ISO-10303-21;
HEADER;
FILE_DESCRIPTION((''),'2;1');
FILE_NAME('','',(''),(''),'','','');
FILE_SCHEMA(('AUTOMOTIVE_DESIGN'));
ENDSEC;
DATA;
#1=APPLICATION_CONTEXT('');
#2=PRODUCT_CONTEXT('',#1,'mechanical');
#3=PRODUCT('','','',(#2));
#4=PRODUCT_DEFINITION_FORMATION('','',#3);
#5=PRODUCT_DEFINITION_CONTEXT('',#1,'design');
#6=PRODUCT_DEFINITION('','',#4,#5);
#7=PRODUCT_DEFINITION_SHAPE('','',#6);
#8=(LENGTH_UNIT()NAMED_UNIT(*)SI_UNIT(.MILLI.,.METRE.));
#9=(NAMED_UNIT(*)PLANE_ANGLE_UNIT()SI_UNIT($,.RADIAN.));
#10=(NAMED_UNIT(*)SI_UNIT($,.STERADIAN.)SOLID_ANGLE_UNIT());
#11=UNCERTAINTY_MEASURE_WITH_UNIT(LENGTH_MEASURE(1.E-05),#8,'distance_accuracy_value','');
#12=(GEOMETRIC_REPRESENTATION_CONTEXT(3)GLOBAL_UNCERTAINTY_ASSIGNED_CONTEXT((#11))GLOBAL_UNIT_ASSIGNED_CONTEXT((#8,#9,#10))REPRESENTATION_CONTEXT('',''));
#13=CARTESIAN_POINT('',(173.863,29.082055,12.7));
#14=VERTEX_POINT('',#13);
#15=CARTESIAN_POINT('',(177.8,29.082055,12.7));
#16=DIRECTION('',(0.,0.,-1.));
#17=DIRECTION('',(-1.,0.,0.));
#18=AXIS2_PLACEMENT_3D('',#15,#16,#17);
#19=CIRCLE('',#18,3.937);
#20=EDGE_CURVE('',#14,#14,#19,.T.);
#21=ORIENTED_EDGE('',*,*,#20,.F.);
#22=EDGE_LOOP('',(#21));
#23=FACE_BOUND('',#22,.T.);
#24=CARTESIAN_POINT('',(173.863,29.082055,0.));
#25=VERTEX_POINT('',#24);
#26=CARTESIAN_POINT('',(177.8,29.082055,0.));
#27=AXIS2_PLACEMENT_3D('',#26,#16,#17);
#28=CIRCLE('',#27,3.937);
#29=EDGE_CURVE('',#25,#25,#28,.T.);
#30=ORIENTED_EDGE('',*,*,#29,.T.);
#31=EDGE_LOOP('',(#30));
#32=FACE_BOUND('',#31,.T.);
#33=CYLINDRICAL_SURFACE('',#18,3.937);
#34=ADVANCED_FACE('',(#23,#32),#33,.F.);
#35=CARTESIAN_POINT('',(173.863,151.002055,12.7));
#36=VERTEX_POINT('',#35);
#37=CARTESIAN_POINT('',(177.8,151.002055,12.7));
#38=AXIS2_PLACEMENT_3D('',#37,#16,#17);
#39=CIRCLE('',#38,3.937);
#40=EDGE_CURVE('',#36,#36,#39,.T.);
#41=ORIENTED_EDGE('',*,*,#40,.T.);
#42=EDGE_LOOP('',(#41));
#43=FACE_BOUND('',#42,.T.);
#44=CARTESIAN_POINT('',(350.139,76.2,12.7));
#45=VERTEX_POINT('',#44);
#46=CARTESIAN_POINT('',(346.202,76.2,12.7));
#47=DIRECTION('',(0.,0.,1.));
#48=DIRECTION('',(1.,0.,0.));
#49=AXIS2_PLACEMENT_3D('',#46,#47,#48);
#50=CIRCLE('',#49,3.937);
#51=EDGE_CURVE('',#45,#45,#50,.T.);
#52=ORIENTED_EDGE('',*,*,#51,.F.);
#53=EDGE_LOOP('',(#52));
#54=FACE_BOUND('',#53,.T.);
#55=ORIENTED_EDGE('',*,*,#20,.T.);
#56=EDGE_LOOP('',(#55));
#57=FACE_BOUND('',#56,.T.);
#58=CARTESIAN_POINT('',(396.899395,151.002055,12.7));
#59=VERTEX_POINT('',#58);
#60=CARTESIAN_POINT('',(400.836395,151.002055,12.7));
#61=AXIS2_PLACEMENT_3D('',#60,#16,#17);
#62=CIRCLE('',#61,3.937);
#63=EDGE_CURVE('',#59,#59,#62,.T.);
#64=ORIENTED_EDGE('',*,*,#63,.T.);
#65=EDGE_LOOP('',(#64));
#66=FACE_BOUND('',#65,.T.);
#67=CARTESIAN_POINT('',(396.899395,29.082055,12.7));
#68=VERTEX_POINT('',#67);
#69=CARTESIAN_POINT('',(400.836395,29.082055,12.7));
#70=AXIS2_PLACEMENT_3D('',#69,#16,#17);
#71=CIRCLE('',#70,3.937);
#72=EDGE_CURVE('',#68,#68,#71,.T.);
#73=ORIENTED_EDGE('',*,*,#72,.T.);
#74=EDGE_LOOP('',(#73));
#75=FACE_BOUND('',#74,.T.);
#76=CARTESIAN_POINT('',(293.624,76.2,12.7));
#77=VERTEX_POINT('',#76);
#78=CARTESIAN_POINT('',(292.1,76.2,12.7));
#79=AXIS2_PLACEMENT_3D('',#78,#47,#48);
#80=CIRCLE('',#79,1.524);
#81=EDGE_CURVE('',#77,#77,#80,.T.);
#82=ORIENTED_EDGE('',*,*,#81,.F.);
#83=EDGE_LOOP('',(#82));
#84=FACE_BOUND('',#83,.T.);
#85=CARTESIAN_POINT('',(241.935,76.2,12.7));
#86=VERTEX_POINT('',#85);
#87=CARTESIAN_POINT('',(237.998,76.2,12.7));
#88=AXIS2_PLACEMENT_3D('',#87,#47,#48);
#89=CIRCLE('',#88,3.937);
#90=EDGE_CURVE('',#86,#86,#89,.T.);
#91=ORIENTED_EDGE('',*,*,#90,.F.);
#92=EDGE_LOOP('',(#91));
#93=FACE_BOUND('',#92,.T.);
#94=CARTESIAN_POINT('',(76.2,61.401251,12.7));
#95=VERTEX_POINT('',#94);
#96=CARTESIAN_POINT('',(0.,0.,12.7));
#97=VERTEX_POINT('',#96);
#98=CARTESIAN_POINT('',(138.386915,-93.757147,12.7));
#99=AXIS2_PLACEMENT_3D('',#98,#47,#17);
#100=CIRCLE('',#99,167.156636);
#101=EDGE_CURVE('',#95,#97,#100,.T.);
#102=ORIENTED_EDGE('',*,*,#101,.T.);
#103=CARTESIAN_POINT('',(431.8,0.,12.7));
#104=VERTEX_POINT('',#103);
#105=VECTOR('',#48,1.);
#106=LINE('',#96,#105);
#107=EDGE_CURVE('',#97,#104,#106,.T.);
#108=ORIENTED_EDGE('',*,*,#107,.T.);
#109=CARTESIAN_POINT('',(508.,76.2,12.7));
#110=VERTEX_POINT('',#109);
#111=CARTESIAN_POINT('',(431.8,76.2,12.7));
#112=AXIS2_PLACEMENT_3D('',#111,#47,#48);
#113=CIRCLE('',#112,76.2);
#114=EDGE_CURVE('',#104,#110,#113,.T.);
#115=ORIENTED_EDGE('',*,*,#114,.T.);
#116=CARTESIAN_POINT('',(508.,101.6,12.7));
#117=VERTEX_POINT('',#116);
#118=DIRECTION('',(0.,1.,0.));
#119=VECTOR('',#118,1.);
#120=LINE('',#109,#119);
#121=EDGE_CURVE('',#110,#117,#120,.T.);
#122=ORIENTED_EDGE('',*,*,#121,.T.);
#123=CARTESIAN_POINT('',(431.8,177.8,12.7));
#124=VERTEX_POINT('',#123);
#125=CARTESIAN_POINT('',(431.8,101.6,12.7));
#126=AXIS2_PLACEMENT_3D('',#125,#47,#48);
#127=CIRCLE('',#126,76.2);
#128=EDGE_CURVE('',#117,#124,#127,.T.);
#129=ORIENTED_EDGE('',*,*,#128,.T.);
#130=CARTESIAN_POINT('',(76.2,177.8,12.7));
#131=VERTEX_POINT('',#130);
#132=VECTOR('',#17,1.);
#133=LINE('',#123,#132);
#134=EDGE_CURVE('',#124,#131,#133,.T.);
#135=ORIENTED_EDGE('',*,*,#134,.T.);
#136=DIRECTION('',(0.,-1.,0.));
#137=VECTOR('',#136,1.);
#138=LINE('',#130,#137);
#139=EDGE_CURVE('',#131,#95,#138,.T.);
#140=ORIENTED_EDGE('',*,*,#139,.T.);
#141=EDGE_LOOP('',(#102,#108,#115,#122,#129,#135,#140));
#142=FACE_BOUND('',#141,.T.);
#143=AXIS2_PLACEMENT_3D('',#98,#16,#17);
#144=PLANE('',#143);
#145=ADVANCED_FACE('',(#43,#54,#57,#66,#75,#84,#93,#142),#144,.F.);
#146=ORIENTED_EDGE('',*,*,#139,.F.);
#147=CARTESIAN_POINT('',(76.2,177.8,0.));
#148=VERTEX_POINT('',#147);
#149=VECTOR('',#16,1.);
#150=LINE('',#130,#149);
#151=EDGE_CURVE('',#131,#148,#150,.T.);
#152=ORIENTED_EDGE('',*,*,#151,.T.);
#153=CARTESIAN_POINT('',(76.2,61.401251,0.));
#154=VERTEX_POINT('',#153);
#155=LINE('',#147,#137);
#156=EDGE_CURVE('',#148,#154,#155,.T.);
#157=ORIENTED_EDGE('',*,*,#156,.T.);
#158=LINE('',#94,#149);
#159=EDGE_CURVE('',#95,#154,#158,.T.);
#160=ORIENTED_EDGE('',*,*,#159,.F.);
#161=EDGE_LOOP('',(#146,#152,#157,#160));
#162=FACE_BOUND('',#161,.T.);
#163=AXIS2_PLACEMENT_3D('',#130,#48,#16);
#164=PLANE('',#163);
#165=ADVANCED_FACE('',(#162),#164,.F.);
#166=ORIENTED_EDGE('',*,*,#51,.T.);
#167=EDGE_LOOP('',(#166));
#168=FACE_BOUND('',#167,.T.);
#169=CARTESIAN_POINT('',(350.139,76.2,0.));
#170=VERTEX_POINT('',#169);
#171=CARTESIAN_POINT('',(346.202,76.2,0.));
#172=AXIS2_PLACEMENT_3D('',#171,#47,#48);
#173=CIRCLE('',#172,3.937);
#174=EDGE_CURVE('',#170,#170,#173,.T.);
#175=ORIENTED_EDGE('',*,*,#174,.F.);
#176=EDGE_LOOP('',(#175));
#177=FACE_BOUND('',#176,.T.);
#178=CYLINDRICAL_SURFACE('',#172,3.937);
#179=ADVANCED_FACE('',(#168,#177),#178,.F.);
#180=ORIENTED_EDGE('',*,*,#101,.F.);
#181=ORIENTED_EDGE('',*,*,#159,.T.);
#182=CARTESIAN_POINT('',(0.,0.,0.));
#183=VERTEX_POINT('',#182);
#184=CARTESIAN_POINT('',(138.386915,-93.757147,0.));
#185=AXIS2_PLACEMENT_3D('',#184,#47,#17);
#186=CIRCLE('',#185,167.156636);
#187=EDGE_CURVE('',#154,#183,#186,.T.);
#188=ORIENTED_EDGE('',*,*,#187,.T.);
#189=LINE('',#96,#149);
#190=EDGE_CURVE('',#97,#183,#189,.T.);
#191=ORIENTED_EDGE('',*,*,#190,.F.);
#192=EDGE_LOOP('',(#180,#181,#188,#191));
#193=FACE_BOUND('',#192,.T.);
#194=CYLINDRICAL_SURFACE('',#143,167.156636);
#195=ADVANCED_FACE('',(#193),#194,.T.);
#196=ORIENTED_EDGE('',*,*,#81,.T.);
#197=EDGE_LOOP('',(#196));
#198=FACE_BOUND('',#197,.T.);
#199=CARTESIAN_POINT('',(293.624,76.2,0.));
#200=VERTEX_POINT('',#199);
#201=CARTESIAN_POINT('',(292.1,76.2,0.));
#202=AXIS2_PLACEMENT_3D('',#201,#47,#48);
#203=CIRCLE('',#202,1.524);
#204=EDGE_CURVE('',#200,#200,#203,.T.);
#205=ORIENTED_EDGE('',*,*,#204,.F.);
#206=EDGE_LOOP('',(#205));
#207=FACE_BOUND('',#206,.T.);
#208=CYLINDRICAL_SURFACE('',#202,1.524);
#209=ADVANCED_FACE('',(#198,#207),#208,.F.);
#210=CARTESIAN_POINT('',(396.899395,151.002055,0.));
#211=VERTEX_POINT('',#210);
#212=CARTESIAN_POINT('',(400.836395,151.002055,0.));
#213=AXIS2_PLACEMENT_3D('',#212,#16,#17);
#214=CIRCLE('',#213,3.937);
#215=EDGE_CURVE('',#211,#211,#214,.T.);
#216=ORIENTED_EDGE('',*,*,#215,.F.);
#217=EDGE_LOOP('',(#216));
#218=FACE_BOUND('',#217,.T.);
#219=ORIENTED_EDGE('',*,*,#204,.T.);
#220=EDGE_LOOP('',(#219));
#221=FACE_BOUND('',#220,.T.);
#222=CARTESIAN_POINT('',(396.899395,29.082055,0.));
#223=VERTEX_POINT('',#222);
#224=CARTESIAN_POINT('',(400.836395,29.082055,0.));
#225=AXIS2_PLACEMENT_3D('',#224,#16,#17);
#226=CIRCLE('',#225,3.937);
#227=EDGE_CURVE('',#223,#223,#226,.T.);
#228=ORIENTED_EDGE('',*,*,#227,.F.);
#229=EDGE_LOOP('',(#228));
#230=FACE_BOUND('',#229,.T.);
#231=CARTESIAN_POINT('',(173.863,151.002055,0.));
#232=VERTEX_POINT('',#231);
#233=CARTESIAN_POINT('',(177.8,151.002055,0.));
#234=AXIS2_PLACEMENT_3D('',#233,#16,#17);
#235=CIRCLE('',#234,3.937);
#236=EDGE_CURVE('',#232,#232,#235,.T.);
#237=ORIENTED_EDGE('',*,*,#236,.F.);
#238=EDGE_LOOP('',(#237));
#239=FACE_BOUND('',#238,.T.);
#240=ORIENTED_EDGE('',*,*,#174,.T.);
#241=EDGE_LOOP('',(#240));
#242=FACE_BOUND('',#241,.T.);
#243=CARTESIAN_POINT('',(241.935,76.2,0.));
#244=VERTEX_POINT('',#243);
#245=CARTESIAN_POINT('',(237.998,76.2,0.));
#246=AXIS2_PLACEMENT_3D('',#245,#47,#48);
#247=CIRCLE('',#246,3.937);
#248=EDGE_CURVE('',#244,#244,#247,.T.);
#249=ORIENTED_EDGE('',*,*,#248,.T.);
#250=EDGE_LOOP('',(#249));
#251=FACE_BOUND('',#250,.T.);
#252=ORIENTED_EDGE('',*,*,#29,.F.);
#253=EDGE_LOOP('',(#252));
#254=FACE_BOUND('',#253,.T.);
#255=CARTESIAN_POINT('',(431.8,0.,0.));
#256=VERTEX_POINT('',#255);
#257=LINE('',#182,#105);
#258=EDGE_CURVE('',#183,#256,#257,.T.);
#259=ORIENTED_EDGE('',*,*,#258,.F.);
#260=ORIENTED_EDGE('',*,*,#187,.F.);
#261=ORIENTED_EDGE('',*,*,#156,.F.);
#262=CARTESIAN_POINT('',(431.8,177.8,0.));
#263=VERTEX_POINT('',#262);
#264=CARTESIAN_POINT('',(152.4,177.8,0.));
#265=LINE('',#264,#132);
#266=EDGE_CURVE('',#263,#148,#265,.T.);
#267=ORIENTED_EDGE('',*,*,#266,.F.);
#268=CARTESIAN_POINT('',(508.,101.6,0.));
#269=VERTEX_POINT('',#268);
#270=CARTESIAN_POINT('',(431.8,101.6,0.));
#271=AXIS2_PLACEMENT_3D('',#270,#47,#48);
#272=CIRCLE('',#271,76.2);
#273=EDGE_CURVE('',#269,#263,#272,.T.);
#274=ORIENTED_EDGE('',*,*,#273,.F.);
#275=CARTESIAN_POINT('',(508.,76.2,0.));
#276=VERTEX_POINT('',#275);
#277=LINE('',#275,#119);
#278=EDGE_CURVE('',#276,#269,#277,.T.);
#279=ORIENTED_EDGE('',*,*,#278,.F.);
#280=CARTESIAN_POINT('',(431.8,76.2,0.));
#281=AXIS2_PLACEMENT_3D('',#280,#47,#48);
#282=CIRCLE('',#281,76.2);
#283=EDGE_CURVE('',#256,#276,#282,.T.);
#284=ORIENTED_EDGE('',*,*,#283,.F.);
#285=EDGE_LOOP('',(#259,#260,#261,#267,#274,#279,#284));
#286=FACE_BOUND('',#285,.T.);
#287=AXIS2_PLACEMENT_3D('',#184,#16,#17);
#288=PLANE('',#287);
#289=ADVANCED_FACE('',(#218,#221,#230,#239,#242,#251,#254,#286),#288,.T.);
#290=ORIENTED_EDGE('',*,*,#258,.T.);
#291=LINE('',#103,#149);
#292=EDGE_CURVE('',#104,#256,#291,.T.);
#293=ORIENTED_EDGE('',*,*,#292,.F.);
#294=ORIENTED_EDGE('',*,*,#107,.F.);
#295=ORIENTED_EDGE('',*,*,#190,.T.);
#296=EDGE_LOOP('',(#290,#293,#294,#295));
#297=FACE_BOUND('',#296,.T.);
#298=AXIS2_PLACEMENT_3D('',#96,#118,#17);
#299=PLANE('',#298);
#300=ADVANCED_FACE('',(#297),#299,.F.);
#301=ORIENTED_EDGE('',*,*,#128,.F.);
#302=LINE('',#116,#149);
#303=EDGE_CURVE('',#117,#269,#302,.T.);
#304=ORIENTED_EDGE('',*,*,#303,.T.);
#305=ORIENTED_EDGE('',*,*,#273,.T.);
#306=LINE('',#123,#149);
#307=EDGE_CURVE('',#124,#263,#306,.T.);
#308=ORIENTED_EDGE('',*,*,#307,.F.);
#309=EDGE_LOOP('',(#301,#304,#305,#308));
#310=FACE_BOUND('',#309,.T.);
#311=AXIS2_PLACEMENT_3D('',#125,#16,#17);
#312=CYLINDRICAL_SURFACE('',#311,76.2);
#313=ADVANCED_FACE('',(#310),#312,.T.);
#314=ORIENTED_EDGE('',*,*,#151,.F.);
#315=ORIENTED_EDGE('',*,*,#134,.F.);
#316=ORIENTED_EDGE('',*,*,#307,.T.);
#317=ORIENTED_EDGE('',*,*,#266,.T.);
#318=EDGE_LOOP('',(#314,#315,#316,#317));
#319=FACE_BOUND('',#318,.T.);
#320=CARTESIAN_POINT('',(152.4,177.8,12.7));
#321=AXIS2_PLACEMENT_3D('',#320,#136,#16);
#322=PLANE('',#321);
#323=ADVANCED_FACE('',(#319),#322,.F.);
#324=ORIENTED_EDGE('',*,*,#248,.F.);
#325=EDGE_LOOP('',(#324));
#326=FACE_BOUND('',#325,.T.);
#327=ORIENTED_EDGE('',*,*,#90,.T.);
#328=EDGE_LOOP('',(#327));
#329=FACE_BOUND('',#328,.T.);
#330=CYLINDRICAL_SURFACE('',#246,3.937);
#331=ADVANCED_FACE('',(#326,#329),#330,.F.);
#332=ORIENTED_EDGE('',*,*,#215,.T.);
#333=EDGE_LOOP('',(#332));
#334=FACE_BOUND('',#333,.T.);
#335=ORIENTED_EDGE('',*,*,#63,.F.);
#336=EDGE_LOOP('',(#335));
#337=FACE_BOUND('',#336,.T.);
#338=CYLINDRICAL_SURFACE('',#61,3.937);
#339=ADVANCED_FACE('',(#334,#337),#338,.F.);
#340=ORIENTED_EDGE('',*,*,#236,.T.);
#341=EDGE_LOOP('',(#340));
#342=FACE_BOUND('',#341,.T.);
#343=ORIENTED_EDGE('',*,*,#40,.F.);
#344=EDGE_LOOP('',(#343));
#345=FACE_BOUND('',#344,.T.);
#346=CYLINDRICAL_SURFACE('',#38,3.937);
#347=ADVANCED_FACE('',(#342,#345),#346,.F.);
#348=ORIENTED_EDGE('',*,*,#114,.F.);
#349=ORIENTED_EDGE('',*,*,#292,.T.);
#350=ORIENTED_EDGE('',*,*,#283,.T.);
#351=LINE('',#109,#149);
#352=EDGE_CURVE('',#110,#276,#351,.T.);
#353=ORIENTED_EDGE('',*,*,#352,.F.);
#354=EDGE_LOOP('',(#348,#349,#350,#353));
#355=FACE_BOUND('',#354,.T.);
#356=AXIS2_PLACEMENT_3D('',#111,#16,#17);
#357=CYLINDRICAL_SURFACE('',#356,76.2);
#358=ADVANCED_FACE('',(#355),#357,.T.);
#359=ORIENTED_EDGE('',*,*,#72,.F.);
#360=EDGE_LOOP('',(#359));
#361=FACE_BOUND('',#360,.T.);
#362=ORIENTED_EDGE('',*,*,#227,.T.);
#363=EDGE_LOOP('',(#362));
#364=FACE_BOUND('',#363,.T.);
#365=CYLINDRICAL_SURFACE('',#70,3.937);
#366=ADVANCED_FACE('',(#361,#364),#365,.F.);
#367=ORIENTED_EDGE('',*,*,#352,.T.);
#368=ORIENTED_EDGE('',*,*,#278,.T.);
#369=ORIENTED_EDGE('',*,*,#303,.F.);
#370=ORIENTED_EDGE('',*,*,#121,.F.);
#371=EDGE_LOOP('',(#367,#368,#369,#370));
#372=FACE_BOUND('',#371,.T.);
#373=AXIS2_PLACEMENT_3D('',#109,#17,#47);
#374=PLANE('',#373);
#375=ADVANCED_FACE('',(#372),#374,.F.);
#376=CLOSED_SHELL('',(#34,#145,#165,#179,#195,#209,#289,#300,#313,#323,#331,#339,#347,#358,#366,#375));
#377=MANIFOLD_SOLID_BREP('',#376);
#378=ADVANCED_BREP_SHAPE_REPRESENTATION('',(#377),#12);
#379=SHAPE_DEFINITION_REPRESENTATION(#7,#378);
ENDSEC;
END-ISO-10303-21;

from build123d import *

# Parameters (mm, degrees)
BOSS_EXTRUDE1_DEPTH = 12.7
SKETCH3_R           = 3.937
CUT_EXTRUDE1_DEPTH  = 539.366167213
SKETCH4_R           = 1.524
SKETCH4_R_2         = 3.937
CUT_EXTRUDE2_DEPTH  = 539.366167213


with BuildPart() as part:
    # Sketch2 → Boss-Extrude1 (new body)
    with BuildSketch(Plane.XY):
        with BuildLine():
            Line((0, 0), (431.8, 0))
            ThreePointArc((431.8, 0), (485.681536726, 22.318463274), (508, 76.2))
            Line((508, 76.2), (508, 101.6))
            ThreePointArc((508, 101.6), (485.681536726, 155.481536726), (431.8, 177.8))
            Line((431.8, 177.8), (152.4, 177.8))
            Line((152.4, 177.8), (76.2, 177.8))
            Line((76.2, 177.8), (76.2, 61.401251199))
            ThreePointArc((76.2, 61.401251199), (33.506060073, 36.401783403), (0, 0))
        make_face()
    extrude(amount=BOSS_EXTRUDE1_DEPTH)

    # Sketch3 → Cut-Extrude1 (cut, through all)
    with BuildSketch(Plane(origin=(0, 0, 0), x_dir=(-1, 0, 0), z_dir=(0, 0, -1))):
        with Locations((-177.8, 29.082055279)):
            Circle(SKETCH3_R)
        with Locations((-400.836394982, 29.082055279)):
            Circle(SKETCH3_R)
        with Locations((-400.836394982, 151.002055279)):
            Circle(SKETCH3_R)
        with Locations((-177.8, 151.002055279)):
            Circle(SKETCH3_R)
    extrude(amount=-CUT_EXTRUDE1_DEPTH, mode=Mode.SUBTRACT)

    # Sketch4 → Cut-Extrude2 (cut, through all)
    with BuildSketch(Plane.XY.offset(12.7)):
        with Locations((292.1, 76.2)):
            Circle(SKETCH4_R)
        with Locations((237.998, 76.2)):
            Circle(SKETCH4_R_2)
        with Locations((346.202, 76.2)):
            Circle(SKETCH4_R_2)
    extrude(amount=-CUT_EXTRUDE2_DEPTH, mode=Mode.SUBTRACT)


solid = part.part
